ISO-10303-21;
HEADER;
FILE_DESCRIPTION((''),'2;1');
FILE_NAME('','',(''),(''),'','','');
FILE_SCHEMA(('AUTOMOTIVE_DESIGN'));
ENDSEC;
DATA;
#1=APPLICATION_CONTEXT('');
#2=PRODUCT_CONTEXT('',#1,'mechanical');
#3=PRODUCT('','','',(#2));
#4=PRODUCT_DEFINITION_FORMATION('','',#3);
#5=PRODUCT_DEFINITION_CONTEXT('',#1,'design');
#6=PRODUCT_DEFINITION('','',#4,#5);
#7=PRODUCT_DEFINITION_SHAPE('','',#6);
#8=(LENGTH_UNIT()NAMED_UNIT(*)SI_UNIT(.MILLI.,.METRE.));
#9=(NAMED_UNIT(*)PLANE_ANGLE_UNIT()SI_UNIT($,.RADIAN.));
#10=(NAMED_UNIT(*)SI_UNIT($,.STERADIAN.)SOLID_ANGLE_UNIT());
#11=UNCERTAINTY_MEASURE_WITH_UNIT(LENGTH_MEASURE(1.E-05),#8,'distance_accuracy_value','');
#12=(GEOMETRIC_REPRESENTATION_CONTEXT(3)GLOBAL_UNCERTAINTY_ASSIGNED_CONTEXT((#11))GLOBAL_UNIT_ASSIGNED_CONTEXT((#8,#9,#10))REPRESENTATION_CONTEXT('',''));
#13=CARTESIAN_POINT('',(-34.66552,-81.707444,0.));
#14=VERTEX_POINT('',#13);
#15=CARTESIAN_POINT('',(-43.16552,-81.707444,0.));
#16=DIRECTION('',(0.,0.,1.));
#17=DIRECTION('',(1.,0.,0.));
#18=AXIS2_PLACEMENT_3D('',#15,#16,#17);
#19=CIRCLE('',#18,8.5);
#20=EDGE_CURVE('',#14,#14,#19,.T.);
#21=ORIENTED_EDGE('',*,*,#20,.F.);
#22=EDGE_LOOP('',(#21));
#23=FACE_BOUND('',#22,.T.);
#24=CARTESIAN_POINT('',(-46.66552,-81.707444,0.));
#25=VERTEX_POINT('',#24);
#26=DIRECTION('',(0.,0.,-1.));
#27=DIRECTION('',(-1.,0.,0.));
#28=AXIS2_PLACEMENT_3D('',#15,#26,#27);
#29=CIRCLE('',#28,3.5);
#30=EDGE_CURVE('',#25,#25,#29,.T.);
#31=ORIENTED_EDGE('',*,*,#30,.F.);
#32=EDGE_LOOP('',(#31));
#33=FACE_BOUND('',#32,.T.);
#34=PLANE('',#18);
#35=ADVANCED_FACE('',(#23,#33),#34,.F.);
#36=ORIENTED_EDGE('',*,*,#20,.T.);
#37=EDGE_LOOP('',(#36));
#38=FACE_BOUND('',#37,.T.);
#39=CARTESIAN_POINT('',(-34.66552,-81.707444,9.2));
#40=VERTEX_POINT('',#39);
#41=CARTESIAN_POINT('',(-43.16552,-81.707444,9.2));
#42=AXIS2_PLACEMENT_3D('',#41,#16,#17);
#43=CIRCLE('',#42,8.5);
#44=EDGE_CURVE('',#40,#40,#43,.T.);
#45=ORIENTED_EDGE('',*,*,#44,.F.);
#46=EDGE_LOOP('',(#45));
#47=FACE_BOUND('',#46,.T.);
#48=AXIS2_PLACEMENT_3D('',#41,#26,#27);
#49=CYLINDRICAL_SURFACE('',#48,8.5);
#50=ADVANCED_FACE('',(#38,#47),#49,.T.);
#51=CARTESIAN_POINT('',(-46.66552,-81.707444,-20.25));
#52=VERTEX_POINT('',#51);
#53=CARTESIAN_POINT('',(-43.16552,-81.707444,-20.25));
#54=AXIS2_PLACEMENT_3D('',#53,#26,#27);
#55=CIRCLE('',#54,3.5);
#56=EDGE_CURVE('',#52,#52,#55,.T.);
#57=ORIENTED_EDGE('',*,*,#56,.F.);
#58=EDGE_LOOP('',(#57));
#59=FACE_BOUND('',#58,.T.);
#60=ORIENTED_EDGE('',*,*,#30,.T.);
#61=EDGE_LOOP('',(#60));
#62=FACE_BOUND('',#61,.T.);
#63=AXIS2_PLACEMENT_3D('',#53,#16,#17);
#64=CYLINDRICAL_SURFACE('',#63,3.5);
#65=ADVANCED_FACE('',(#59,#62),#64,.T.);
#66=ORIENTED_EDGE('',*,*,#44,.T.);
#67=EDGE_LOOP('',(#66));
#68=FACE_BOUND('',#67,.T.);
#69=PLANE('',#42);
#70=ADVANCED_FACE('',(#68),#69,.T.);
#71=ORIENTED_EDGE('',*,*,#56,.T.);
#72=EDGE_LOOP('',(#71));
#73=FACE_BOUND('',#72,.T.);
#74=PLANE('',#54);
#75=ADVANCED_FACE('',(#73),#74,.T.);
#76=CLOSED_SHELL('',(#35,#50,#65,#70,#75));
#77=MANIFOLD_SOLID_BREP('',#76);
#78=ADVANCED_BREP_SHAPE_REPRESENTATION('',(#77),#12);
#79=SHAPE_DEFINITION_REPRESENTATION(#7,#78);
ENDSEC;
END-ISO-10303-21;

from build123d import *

# Parameters (mm, degrees)
SKETCH_1_R      = 8.5
EXTRUDE_1_DEPTH = 9.2
SKETCH_2_R      = 3.5
EXTRUDE_2_DEPTH = 20.25


with BuildPart() as part:
    # 草圖1 → 填料-伸長1 (new body)
    with BuildSketch(Plane.XY):
        with Locations((-43.165519845, -81.707444045)):
            Circle(SKETCH_1_R)
    extrude(amount=EXTRUDE_1_DEPTH)

    # 草圖2 → 填料-伸長2 (add)
    with BuildSketch(Plane(origin=(0, 0, 0), x_dir=(-1, 0, 0), z_dir=(0, 0, -1))):
        with Locations((43.165519845, -81.707444045)):
            Circle(SKETCH_2_R)
    extrude(amount=EXTRUDE_2_DEPTH)


solid = part.part
